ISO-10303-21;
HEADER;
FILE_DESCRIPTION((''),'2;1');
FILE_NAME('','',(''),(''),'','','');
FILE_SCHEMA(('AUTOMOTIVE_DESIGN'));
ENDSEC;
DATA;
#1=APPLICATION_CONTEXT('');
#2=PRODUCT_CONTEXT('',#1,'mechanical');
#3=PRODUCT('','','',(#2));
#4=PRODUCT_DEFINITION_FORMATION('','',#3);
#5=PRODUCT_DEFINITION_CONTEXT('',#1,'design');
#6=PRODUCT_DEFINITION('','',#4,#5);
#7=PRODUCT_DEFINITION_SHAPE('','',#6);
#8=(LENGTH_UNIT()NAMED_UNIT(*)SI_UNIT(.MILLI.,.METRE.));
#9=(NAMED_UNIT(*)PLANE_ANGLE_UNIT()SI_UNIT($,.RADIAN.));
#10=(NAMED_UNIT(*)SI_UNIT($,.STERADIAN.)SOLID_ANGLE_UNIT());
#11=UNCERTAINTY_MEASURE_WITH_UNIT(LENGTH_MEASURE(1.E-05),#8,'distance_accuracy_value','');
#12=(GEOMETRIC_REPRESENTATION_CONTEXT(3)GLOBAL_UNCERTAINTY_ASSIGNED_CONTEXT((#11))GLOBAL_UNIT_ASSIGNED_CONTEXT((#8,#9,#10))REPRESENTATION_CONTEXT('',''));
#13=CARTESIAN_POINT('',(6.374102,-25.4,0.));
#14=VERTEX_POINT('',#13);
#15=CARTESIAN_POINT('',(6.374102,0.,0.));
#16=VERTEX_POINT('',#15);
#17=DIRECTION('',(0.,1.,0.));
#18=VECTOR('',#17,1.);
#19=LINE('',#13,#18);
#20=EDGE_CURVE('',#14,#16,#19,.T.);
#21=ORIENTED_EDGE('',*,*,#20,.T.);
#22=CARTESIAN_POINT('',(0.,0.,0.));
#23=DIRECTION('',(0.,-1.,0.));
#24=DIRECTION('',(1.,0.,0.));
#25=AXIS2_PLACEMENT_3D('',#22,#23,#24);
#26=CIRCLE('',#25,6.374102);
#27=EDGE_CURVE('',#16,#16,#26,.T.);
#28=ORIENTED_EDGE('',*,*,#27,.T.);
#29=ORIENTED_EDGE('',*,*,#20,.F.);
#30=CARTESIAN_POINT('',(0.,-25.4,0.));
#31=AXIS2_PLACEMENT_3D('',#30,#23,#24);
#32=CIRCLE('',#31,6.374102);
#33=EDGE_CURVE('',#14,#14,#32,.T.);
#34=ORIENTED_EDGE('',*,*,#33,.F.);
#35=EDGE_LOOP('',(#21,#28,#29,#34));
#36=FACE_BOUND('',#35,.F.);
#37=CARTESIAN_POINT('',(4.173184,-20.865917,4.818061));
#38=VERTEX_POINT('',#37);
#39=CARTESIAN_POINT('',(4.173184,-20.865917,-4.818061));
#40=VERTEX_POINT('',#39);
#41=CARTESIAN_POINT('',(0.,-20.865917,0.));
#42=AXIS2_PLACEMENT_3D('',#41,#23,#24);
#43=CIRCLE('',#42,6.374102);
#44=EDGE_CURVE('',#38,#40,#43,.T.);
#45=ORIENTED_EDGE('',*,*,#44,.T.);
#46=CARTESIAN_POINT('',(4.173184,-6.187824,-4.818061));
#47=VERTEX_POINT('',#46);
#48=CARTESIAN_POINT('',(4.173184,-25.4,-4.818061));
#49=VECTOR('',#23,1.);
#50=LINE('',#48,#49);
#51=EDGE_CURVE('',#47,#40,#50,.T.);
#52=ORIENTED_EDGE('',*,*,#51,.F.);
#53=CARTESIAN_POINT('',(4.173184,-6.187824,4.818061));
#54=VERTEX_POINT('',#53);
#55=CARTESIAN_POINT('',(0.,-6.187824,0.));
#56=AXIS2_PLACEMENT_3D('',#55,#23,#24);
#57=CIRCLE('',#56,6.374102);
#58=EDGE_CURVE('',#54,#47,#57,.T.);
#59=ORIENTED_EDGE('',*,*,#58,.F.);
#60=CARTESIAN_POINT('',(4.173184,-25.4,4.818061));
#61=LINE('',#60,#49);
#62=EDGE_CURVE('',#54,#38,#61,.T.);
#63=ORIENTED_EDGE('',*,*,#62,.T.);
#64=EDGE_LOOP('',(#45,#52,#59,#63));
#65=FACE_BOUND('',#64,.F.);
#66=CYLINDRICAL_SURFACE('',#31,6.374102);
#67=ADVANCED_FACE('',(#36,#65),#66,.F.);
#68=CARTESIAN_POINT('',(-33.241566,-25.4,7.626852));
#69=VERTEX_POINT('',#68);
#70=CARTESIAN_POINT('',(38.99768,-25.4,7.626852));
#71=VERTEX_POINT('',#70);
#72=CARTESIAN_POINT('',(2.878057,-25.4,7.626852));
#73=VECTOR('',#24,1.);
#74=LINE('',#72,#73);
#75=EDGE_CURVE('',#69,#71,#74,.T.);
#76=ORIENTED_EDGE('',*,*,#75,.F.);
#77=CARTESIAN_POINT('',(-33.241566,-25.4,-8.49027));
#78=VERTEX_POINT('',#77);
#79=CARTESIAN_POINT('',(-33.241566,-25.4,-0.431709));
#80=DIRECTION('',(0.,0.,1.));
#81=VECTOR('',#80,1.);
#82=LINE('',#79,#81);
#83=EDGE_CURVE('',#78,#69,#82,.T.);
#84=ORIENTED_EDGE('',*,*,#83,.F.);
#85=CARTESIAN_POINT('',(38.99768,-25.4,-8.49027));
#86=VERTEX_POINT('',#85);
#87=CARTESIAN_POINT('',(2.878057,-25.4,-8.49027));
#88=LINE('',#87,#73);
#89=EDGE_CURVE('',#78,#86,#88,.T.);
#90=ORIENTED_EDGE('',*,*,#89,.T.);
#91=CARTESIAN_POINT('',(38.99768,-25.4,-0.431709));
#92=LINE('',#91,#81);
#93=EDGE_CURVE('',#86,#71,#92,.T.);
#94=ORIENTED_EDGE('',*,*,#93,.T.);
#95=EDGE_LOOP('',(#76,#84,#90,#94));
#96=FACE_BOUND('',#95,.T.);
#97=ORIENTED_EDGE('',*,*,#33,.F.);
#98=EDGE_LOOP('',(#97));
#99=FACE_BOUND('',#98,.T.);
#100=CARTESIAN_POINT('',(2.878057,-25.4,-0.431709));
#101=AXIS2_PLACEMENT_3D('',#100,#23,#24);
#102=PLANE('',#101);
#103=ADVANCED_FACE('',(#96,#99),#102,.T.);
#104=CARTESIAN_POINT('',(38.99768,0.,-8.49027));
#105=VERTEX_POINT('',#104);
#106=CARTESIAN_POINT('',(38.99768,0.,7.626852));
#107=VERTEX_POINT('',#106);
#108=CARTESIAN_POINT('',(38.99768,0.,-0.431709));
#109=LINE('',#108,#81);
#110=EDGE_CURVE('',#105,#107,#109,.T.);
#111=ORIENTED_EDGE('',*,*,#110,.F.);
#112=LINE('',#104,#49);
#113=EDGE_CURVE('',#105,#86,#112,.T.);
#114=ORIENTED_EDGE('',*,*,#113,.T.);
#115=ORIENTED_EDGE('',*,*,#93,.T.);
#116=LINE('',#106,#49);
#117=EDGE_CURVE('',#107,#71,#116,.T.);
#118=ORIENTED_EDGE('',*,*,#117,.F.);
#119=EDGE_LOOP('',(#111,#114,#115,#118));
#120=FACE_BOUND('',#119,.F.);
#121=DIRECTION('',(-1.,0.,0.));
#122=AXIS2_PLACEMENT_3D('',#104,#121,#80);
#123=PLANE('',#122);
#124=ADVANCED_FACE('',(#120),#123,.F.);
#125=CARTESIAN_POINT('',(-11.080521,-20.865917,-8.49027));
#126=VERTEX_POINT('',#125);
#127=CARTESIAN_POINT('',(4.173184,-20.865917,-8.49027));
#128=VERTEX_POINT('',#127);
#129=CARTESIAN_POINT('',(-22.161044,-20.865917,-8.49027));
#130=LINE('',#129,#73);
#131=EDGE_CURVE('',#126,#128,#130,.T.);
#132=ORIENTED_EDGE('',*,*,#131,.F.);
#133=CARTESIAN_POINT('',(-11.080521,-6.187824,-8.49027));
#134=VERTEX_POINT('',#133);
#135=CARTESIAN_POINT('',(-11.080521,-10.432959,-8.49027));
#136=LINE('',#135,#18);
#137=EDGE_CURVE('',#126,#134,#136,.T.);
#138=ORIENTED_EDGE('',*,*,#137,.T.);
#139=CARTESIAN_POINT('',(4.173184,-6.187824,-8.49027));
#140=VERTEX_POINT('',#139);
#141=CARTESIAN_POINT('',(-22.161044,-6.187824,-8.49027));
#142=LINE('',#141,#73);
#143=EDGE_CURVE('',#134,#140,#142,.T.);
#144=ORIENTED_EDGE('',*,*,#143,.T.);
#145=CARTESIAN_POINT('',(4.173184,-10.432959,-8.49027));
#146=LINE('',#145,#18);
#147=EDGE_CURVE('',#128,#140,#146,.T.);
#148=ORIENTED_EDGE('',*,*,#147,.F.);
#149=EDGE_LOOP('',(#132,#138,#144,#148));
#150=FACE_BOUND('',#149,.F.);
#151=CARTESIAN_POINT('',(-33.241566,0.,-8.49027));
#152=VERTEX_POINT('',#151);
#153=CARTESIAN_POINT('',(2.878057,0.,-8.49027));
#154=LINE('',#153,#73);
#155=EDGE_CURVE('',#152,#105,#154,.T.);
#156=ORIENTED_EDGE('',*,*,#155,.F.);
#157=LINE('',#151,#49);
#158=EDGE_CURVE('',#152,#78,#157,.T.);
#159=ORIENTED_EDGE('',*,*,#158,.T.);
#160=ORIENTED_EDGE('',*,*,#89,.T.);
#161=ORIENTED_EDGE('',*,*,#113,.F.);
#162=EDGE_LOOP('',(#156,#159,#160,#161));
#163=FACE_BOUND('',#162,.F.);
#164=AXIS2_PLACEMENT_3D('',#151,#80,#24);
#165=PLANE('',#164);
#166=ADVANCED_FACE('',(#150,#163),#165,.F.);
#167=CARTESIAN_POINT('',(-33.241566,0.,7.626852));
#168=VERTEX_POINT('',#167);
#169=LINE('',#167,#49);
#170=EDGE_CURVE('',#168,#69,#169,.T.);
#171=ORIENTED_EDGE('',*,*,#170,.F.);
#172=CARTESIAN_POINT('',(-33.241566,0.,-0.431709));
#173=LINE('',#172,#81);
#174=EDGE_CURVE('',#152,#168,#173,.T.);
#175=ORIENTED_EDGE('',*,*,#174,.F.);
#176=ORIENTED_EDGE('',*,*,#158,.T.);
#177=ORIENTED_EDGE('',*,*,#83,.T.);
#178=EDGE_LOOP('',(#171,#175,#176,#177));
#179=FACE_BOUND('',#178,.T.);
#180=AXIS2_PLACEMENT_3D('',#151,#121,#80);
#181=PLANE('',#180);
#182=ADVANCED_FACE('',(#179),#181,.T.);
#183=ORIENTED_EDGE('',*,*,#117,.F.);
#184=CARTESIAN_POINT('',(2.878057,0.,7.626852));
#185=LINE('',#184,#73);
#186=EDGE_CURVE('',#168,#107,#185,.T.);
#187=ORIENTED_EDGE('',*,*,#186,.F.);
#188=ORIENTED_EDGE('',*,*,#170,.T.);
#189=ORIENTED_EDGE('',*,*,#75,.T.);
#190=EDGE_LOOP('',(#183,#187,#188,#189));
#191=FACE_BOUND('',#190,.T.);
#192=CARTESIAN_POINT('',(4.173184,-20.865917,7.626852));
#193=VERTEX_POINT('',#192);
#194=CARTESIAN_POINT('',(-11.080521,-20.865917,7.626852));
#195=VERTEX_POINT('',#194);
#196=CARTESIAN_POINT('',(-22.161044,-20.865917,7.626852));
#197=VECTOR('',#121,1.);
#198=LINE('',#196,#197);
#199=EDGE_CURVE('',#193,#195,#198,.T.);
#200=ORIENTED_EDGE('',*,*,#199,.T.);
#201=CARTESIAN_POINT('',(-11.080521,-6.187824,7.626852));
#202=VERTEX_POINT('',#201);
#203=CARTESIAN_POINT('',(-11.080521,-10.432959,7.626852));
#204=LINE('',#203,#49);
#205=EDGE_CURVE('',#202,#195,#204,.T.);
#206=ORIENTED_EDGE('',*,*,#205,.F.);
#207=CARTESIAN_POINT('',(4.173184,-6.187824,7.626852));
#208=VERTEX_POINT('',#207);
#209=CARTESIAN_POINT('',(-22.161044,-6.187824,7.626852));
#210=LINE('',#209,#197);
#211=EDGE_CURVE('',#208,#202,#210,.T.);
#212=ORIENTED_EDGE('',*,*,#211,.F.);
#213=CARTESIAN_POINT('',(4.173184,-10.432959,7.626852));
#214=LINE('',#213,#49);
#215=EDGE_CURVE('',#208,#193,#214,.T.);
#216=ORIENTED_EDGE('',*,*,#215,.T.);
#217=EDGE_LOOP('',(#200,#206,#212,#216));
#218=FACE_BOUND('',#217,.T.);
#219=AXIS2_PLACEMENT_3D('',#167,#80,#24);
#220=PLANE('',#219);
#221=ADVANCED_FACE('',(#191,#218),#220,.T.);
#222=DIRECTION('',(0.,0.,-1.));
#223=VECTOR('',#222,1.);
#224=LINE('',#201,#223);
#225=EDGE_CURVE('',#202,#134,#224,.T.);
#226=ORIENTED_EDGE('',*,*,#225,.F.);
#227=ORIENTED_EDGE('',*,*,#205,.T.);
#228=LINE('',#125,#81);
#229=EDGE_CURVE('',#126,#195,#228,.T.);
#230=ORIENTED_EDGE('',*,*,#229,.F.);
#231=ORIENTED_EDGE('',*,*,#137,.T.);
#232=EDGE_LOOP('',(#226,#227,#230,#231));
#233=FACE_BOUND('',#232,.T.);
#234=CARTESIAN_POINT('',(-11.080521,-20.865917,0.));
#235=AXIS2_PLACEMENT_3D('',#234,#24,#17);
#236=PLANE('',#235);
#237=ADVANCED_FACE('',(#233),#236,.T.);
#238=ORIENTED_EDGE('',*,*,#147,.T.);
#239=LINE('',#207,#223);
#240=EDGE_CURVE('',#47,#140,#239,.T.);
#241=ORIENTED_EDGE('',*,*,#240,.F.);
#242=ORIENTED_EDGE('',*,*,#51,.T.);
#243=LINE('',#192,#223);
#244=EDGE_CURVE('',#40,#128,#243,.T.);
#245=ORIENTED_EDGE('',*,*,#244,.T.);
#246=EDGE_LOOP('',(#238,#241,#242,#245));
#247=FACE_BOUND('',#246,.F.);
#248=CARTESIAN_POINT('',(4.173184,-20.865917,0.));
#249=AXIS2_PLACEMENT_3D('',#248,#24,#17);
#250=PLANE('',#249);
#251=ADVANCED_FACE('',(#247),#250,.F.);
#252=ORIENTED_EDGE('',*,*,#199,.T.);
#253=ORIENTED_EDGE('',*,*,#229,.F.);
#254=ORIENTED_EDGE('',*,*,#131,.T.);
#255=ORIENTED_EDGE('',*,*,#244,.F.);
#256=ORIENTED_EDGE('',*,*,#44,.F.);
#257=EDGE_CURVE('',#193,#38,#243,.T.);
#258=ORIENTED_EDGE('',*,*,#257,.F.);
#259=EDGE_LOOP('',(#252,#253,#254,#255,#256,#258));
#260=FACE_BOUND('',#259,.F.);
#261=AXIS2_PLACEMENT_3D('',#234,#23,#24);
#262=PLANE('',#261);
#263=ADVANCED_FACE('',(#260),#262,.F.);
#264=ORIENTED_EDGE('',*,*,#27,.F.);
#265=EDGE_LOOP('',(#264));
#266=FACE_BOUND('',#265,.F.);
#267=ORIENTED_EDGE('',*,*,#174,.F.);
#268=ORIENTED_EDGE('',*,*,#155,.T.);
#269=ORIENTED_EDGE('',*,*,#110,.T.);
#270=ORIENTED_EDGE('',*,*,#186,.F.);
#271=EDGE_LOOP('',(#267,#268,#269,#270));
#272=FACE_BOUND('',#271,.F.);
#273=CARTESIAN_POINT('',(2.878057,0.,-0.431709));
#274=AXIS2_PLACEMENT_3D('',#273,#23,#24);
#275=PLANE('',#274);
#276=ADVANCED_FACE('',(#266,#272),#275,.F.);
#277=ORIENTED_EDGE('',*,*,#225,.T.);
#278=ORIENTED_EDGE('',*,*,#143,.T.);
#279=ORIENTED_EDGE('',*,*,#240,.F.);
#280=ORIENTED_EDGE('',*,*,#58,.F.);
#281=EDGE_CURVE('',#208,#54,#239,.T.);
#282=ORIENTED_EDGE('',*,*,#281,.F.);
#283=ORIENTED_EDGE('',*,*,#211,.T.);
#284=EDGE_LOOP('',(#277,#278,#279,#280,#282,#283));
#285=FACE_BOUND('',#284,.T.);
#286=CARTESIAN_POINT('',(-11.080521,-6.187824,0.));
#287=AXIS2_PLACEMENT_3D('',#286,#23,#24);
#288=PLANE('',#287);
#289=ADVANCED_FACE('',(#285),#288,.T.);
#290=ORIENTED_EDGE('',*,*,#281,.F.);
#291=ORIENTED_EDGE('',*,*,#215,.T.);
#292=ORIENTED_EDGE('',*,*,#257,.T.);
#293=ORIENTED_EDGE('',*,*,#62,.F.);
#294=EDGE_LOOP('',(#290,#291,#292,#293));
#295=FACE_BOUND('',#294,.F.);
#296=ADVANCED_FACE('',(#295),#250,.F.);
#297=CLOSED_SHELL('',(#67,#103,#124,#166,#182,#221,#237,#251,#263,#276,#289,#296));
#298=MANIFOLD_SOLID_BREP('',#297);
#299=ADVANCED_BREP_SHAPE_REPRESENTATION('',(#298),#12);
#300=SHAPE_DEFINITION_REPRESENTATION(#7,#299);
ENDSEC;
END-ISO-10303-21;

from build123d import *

# Parameters (mm, degrees)
F0_W          = 72.2392462194
F0_H          = 16.11712249
F1_DEPTH      = 25.4
F2_W          = 15.2537054382
F2_H          = 14.6780936047
F3_DEPTH      = 50.8
F3_DEPTH_BACK = 25.4
F5_R          = 6.3741022215
F6_DEPTH      = 25.401


with BuildPart() as f1:
    # F0 (on Front) → F1 (new body)
    with BuildSketch(Plane.XZ):
        with Locations((2.8780568391, -0.4317087587)):
            Rectangle(F0_W, F0_H)
    extrude(amount=F1_DEPTH)

    # F2 (on Top) → F3 (cut, two sides)
    with BuildSketch(Plane.XY) as f3_sk:
        with Locations((-3.4536684398, -13.5268704034)):
            Rectangle(F2_W, F2_H)
    extrude(amount=-F3_DEPTH, mode=Mode.SUBTRACT)
    extrude(f3_sk.sketch, amount=F3_DEPTH_BACK, mode=Mode.SUBTRACT)

    # F5 (on face) → F6 (cut, through all)
    with BuildSketch(Plane.XZ.offset(25.4)):
        Circle(F5_R)
    extrude(amount=-F6_DEPTH, mode=Mode.SUBTRACT)


solid = f1.part
